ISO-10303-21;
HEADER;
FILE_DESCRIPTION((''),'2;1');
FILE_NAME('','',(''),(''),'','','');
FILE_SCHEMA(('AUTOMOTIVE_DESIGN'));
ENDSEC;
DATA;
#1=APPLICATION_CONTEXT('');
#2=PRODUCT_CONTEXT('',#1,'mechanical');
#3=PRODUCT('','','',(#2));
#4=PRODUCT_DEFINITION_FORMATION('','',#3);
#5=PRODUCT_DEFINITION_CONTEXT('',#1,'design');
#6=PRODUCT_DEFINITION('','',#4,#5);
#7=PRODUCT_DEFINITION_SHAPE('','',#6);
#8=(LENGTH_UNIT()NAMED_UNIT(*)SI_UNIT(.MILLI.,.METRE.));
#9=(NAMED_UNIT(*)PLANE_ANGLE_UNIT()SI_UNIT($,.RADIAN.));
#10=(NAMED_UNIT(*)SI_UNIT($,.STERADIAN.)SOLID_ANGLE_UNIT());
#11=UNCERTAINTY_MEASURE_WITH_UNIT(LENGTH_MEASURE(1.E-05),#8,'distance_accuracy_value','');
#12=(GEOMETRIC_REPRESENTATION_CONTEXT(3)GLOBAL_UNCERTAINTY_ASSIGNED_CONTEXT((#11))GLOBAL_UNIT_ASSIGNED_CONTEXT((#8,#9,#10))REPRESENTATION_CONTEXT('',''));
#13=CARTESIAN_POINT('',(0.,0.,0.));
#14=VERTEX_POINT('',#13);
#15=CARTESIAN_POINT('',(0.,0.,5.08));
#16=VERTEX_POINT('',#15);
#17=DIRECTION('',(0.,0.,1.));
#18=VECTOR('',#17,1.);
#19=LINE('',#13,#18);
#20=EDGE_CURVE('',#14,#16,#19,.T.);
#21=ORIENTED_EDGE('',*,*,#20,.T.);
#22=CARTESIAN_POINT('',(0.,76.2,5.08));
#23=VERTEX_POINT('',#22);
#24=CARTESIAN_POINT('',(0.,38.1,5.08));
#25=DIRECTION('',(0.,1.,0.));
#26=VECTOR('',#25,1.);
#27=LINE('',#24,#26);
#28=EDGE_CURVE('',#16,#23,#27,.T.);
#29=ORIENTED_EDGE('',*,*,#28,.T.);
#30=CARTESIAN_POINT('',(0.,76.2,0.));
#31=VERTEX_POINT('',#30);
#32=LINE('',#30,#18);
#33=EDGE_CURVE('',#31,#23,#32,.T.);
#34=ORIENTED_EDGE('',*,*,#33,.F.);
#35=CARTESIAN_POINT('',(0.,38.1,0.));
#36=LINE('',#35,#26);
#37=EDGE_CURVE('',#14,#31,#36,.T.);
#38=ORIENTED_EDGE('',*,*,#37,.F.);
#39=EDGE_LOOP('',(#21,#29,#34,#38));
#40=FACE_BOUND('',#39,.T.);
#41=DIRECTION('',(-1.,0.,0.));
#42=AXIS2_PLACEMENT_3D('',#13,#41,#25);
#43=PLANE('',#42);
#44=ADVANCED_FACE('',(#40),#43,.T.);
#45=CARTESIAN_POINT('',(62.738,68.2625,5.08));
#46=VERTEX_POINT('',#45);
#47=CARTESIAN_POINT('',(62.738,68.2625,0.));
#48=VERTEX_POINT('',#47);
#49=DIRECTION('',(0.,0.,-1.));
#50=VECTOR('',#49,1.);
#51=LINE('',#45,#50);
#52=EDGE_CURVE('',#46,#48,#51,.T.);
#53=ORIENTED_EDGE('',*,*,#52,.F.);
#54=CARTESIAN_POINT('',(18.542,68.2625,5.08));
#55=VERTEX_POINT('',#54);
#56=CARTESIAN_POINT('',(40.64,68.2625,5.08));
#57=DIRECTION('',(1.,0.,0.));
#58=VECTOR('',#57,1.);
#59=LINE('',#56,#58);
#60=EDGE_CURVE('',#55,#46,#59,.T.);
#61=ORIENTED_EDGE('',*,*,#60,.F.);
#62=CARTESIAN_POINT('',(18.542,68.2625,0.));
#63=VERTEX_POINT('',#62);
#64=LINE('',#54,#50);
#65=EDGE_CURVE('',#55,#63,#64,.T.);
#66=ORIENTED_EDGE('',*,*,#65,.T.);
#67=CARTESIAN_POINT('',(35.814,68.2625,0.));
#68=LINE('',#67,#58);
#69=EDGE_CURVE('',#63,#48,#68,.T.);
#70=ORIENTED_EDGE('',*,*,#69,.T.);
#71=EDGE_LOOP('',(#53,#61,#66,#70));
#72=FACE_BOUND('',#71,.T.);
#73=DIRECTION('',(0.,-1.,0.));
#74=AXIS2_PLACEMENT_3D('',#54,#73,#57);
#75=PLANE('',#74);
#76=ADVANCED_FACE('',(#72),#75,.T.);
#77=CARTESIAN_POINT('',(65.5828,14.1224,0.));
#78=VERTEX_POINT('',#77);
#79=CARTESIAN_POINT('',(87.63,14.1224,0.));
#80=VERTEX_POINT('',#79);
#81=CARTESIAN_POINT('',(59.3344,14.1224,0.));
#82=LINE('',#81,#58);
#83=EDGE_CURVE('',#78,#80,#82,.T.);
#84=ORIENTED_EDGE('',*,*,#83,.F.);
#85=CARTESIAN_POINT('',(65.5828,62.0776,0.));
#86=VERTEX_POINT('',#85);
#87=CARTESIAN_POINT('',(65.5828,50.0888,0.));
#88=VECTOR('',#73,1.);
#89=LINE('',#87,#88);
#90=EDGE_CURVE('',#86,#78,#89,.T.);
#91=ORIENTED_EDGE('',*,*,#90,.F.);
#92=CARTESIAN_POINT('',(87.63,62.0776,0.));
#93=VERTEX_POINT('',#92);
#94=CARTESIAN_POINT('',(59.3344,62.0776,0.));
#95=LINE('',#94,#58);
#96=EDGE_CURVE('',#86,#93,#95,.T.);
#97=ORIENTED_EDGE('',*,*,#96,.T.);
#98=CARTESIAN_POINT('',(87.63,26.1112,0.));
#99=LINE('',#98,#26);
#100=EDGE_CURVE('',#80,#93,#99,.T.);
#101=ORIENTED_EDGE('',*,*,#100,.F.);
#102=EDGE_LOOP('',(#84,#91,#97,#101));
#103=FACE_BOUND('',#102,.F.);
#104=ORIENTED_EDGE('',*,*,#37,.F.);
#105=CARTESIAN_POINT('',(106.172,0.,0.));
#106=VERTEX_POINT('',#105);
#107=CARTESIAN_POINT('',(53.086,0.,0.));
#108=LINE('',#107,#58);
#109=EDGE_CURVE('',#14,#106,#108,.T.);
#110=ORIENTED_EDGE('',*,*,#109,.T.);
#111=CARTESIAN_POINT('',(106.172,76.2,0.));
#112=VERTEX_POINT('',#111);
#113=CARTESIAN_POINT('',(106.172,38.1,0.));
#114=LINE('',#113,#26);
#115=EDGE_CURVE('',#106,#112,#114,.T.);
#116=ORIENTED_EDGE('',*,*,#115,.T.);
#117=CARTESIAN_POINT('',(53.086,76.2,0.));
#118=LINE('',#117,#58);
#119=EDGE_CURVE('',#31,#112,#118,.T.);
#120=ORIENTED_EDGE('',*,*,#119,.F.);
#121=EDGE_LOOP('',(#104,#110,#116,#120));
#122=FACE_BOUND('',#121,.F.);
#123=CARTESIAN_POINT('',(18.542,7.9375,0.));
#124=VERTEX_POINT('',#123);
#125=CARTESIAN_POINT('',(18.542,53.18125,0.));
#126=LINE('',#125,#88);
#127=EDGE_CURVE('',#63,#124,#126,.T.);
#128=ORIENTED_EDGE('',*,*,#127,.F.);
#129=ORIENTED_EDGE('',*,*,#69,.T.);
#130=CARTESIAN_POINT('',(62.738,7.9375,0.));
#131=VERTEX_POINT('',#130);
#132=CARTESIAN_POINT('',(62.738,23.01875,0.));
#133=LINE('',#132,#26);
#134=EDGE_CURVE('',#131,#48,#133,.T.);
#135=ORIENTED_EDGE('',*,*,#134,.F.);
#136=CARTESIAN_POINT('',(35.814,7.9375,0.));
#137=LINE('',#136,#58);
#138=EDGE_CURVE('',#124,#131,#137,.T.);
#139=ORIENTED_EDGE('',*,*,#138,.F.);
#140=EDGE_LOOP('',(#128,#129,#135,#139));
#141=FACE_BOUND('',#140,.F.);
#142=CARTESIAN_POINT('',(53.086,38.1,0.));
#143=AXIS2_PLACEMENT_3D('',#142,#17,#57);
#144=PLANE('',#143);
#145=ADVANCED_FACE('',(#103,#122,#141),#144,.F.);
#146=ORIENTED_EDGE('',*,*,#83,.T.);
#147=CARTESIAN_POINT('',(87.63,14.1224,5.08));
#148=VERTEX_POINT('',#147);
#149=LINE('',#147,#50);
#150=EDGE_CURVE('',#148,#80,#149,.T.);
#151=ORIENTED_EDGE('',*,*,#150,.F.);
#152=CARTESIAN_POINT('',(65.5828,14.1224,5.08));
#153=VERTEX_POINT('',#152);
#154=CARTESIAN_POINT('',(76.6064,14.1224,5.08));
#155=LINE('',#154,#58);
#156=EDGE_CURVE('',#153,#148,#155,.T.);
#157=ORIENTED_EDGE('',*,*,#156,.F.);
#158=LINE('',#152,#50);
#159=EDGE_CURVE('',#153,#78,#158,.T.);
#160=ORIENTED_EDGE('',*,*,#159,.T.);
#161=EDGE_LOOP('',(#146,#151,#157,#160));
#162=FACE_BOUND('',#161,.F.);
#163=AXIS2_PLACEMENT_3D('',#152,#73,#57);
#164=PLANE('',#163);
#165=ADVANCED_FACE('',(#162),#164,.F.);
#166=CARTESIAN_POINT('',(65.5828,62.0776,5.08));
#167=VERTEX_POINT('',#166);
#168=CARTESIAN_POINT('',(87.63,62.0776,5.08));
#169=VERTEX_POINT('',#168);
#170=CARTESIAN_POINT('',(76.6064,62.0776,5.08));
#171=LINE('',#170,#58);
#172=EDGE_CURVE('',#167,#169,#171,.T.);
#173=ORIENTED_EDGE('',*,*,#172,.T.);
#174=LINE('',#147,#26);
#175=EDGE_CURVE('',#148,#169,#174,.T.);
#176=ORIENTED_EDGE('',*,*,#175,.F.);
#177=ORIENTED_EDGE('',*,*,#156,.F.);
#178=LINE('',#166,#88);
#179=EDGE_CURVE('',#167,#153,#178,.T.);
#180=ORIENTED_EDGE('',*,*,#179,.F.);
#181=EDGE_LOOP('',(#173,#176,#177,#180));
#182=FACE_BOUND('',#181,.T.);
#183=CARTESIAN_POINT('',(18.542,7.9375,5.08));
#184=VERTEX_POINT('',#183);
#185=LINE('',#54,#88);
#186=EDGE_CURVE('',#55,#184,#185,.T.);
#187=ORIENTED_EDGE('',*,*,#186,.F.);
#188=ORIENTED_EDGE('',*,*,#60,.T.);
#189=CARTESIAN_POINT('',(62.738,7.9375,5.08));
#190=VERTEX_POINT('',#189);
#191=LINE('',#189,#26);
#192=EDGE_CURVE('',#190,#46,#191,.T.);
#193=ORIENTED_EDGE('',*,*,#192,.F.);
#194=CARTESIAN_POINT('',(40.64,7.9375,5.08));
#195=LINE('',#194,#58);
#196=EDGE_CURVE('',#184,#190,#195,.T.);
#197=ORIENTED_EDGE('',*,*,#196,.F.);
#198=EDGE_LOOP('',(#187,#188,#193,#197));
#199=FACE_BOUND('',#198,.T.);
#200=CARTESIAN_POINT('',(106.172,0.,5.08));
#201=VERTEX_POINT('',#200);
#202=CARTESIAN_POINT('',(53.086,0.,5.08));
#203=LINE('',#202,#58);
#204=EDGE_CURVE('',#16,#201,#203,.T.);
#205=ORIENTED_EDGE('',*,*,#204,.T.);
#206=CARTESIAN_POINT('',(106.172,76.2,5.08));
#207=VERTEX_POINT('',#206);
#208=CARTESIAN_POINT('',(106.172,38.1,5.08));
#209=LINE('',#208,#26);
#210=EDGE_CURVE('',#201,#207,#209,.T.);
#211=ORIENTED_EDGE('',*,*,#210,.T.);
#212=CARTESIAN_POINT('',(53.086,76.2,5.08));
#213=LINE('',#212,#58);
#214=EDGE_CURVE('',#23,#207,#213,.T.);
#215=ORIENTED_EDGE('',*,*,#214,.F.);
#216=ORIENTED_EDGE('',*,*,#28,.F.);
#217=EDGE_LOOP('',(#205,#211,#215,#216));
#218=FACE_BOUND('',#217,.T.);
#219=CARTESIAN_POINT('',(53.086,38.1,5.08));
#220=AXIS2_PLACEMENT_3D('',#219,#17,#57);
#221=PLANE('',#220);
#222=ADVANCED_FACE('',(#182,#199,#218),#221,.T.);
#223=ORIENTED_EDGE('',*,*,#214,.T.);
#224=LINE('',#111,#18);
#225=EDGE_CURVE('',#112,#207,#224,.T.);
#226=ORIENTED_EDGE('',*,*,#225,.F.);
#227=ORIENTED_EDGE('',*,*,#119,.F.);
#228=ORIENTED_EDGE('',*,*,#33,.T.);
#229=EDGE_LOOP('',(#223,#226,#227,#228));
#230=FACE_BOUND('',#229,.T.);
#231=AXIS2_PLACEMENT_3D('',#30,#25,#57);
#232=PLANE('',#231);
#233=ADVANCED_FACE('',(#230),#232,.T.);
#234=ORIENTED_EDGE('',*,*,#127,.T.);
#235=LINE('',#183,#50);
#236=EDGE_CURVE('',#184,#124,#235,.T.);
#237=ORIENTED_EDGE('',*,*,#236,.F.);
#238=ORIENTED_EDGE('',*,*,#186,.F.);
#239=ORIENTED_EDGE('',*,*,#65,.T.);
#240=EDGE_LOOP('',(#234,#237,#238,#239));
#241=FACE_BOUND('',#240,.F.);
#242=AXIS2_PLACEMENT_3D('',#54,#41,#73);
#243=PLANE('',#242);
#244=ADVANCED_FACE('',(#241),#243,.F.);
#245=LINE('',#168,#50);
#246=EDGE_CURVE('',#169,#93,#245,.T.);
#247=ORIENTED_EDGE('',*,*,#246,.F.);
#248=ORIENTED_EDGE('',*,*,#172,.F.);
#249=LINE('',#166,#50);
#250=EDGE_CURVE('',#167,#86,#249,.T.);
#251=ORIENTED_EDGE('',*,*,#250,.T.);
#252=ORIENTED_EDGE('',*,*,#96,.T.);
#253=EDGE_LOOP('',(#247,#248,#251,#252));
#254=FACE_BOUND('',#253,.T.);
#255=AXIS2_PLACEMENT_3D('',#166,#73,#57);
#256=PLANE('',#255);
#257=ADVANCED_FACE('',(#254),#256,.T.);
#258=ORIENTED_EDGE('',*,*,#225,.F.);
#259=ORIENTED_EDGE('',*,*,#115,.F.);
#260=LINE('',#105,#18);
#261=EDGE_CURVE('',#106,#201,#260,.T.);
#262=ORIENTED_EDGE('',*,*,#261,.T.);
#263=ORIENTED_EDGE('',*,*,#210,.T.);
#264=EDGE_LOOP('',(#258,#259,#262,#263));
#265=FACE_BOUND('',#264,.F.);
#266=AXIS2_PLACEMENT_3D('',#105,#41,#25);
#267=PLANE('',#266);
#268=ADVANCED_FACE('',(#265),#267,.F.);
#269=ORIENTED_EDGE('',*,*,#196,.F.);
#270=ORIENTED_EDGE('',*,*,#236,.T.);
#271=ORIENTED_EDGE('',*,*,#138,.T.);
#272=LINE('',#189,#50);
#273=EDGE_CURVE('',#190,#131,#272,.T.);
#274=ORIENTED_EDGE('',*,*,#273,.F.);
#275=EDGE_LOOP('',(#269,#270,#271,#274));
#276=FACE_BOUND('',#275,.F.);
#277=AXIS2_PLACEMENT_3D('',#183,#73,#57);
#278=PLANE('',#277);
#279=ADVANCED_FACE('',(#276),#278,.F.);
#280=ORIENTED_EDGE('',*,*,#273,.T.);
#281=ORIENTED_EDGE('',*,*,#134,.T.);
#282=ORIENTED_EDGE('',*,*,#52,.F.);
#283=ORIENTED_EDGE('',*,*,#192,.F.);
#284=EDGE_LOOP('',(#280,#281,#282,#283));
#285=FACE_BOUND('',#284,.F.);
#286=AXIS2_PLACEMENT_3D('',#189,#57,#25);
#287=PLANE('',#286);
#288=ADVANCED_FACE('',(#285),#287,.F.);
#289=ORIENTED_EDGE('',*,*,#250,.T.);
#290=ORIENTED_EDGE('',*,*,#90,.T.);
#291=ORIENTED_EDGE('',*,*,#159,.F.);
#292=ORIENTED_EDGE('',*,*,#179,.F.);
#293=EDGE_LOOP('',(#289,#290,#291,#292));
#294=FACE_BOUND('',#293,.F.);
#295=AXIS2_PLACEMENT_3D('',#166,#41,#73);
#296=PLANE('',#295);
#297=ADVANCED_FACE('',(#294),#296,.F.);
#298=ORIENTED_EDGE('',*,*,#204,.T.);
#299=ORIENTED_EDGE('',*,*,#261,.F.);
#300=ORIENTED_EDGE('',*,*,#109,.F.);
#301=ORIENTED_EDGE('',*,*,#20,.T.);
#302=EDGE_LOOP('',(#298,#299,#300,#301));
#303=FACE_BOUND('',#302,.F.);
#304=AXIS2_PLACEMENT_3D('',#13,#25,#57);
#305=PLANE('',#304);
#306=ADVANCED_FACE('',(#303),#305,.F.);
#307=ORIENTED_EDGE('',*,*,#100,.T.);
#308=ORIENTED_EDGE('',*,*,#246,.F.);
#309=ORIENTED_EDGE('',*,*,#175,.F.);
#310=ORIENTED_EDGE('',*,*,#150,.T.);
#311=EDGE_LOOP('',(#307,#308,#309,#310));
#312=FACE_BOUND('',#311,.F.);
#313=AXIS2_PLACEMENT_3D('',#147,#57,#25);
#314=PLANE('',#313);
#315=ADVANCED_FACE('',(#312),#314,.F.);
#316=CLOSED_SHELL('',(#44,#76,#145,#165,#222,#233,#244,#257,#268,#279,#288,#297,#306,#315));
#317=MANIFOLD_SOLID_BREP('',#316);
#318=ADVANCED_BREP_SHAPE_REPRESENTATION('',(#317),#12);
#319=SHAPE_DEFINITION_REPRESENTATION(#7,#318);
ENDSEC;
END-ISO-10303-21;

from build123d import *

# Parameters (mm, degrees)
F0_W     = 106.172
F0_H     = 76.2
F1_DEPTH = 5.08
F2_W     = 44.196
F2_H     = 30.1625
F2_W_2   = 22.0472
F2_H_2   = 23.9776
F3_DEPTH = 25.4


with BuildPart() as f1:
    # F0 (on Top) → F1 (new body)
    with BuildSketch(Plane.XY):
        with Locations((53.086, 38.1)):
            Rectangle(F0_W, F0_H)
    extrude(amount=F1_DEPTH)

    # F2 (on face) → F3 (cut)
    with BuildSketch(Plane.XY.offset(5.08)):
        with Locations((40.64, 53.18125)):
            Rectangle(F2_W, F2_H)
        with Locations((40.64, 23.01875)):
            Rectangle(F2_W, F2_H)
        with Locations((76.6064, 50.0888)):
            Rectangle(F2_W_2, F2_H_2)
        with Locations((76.6064, 26.1112)):
            Rectangle(F2_W_2, F2_H_2)
    extrude(amount=-F3_DEPTH, mode=Mode.SUBTRACT)


solid = f1.part
